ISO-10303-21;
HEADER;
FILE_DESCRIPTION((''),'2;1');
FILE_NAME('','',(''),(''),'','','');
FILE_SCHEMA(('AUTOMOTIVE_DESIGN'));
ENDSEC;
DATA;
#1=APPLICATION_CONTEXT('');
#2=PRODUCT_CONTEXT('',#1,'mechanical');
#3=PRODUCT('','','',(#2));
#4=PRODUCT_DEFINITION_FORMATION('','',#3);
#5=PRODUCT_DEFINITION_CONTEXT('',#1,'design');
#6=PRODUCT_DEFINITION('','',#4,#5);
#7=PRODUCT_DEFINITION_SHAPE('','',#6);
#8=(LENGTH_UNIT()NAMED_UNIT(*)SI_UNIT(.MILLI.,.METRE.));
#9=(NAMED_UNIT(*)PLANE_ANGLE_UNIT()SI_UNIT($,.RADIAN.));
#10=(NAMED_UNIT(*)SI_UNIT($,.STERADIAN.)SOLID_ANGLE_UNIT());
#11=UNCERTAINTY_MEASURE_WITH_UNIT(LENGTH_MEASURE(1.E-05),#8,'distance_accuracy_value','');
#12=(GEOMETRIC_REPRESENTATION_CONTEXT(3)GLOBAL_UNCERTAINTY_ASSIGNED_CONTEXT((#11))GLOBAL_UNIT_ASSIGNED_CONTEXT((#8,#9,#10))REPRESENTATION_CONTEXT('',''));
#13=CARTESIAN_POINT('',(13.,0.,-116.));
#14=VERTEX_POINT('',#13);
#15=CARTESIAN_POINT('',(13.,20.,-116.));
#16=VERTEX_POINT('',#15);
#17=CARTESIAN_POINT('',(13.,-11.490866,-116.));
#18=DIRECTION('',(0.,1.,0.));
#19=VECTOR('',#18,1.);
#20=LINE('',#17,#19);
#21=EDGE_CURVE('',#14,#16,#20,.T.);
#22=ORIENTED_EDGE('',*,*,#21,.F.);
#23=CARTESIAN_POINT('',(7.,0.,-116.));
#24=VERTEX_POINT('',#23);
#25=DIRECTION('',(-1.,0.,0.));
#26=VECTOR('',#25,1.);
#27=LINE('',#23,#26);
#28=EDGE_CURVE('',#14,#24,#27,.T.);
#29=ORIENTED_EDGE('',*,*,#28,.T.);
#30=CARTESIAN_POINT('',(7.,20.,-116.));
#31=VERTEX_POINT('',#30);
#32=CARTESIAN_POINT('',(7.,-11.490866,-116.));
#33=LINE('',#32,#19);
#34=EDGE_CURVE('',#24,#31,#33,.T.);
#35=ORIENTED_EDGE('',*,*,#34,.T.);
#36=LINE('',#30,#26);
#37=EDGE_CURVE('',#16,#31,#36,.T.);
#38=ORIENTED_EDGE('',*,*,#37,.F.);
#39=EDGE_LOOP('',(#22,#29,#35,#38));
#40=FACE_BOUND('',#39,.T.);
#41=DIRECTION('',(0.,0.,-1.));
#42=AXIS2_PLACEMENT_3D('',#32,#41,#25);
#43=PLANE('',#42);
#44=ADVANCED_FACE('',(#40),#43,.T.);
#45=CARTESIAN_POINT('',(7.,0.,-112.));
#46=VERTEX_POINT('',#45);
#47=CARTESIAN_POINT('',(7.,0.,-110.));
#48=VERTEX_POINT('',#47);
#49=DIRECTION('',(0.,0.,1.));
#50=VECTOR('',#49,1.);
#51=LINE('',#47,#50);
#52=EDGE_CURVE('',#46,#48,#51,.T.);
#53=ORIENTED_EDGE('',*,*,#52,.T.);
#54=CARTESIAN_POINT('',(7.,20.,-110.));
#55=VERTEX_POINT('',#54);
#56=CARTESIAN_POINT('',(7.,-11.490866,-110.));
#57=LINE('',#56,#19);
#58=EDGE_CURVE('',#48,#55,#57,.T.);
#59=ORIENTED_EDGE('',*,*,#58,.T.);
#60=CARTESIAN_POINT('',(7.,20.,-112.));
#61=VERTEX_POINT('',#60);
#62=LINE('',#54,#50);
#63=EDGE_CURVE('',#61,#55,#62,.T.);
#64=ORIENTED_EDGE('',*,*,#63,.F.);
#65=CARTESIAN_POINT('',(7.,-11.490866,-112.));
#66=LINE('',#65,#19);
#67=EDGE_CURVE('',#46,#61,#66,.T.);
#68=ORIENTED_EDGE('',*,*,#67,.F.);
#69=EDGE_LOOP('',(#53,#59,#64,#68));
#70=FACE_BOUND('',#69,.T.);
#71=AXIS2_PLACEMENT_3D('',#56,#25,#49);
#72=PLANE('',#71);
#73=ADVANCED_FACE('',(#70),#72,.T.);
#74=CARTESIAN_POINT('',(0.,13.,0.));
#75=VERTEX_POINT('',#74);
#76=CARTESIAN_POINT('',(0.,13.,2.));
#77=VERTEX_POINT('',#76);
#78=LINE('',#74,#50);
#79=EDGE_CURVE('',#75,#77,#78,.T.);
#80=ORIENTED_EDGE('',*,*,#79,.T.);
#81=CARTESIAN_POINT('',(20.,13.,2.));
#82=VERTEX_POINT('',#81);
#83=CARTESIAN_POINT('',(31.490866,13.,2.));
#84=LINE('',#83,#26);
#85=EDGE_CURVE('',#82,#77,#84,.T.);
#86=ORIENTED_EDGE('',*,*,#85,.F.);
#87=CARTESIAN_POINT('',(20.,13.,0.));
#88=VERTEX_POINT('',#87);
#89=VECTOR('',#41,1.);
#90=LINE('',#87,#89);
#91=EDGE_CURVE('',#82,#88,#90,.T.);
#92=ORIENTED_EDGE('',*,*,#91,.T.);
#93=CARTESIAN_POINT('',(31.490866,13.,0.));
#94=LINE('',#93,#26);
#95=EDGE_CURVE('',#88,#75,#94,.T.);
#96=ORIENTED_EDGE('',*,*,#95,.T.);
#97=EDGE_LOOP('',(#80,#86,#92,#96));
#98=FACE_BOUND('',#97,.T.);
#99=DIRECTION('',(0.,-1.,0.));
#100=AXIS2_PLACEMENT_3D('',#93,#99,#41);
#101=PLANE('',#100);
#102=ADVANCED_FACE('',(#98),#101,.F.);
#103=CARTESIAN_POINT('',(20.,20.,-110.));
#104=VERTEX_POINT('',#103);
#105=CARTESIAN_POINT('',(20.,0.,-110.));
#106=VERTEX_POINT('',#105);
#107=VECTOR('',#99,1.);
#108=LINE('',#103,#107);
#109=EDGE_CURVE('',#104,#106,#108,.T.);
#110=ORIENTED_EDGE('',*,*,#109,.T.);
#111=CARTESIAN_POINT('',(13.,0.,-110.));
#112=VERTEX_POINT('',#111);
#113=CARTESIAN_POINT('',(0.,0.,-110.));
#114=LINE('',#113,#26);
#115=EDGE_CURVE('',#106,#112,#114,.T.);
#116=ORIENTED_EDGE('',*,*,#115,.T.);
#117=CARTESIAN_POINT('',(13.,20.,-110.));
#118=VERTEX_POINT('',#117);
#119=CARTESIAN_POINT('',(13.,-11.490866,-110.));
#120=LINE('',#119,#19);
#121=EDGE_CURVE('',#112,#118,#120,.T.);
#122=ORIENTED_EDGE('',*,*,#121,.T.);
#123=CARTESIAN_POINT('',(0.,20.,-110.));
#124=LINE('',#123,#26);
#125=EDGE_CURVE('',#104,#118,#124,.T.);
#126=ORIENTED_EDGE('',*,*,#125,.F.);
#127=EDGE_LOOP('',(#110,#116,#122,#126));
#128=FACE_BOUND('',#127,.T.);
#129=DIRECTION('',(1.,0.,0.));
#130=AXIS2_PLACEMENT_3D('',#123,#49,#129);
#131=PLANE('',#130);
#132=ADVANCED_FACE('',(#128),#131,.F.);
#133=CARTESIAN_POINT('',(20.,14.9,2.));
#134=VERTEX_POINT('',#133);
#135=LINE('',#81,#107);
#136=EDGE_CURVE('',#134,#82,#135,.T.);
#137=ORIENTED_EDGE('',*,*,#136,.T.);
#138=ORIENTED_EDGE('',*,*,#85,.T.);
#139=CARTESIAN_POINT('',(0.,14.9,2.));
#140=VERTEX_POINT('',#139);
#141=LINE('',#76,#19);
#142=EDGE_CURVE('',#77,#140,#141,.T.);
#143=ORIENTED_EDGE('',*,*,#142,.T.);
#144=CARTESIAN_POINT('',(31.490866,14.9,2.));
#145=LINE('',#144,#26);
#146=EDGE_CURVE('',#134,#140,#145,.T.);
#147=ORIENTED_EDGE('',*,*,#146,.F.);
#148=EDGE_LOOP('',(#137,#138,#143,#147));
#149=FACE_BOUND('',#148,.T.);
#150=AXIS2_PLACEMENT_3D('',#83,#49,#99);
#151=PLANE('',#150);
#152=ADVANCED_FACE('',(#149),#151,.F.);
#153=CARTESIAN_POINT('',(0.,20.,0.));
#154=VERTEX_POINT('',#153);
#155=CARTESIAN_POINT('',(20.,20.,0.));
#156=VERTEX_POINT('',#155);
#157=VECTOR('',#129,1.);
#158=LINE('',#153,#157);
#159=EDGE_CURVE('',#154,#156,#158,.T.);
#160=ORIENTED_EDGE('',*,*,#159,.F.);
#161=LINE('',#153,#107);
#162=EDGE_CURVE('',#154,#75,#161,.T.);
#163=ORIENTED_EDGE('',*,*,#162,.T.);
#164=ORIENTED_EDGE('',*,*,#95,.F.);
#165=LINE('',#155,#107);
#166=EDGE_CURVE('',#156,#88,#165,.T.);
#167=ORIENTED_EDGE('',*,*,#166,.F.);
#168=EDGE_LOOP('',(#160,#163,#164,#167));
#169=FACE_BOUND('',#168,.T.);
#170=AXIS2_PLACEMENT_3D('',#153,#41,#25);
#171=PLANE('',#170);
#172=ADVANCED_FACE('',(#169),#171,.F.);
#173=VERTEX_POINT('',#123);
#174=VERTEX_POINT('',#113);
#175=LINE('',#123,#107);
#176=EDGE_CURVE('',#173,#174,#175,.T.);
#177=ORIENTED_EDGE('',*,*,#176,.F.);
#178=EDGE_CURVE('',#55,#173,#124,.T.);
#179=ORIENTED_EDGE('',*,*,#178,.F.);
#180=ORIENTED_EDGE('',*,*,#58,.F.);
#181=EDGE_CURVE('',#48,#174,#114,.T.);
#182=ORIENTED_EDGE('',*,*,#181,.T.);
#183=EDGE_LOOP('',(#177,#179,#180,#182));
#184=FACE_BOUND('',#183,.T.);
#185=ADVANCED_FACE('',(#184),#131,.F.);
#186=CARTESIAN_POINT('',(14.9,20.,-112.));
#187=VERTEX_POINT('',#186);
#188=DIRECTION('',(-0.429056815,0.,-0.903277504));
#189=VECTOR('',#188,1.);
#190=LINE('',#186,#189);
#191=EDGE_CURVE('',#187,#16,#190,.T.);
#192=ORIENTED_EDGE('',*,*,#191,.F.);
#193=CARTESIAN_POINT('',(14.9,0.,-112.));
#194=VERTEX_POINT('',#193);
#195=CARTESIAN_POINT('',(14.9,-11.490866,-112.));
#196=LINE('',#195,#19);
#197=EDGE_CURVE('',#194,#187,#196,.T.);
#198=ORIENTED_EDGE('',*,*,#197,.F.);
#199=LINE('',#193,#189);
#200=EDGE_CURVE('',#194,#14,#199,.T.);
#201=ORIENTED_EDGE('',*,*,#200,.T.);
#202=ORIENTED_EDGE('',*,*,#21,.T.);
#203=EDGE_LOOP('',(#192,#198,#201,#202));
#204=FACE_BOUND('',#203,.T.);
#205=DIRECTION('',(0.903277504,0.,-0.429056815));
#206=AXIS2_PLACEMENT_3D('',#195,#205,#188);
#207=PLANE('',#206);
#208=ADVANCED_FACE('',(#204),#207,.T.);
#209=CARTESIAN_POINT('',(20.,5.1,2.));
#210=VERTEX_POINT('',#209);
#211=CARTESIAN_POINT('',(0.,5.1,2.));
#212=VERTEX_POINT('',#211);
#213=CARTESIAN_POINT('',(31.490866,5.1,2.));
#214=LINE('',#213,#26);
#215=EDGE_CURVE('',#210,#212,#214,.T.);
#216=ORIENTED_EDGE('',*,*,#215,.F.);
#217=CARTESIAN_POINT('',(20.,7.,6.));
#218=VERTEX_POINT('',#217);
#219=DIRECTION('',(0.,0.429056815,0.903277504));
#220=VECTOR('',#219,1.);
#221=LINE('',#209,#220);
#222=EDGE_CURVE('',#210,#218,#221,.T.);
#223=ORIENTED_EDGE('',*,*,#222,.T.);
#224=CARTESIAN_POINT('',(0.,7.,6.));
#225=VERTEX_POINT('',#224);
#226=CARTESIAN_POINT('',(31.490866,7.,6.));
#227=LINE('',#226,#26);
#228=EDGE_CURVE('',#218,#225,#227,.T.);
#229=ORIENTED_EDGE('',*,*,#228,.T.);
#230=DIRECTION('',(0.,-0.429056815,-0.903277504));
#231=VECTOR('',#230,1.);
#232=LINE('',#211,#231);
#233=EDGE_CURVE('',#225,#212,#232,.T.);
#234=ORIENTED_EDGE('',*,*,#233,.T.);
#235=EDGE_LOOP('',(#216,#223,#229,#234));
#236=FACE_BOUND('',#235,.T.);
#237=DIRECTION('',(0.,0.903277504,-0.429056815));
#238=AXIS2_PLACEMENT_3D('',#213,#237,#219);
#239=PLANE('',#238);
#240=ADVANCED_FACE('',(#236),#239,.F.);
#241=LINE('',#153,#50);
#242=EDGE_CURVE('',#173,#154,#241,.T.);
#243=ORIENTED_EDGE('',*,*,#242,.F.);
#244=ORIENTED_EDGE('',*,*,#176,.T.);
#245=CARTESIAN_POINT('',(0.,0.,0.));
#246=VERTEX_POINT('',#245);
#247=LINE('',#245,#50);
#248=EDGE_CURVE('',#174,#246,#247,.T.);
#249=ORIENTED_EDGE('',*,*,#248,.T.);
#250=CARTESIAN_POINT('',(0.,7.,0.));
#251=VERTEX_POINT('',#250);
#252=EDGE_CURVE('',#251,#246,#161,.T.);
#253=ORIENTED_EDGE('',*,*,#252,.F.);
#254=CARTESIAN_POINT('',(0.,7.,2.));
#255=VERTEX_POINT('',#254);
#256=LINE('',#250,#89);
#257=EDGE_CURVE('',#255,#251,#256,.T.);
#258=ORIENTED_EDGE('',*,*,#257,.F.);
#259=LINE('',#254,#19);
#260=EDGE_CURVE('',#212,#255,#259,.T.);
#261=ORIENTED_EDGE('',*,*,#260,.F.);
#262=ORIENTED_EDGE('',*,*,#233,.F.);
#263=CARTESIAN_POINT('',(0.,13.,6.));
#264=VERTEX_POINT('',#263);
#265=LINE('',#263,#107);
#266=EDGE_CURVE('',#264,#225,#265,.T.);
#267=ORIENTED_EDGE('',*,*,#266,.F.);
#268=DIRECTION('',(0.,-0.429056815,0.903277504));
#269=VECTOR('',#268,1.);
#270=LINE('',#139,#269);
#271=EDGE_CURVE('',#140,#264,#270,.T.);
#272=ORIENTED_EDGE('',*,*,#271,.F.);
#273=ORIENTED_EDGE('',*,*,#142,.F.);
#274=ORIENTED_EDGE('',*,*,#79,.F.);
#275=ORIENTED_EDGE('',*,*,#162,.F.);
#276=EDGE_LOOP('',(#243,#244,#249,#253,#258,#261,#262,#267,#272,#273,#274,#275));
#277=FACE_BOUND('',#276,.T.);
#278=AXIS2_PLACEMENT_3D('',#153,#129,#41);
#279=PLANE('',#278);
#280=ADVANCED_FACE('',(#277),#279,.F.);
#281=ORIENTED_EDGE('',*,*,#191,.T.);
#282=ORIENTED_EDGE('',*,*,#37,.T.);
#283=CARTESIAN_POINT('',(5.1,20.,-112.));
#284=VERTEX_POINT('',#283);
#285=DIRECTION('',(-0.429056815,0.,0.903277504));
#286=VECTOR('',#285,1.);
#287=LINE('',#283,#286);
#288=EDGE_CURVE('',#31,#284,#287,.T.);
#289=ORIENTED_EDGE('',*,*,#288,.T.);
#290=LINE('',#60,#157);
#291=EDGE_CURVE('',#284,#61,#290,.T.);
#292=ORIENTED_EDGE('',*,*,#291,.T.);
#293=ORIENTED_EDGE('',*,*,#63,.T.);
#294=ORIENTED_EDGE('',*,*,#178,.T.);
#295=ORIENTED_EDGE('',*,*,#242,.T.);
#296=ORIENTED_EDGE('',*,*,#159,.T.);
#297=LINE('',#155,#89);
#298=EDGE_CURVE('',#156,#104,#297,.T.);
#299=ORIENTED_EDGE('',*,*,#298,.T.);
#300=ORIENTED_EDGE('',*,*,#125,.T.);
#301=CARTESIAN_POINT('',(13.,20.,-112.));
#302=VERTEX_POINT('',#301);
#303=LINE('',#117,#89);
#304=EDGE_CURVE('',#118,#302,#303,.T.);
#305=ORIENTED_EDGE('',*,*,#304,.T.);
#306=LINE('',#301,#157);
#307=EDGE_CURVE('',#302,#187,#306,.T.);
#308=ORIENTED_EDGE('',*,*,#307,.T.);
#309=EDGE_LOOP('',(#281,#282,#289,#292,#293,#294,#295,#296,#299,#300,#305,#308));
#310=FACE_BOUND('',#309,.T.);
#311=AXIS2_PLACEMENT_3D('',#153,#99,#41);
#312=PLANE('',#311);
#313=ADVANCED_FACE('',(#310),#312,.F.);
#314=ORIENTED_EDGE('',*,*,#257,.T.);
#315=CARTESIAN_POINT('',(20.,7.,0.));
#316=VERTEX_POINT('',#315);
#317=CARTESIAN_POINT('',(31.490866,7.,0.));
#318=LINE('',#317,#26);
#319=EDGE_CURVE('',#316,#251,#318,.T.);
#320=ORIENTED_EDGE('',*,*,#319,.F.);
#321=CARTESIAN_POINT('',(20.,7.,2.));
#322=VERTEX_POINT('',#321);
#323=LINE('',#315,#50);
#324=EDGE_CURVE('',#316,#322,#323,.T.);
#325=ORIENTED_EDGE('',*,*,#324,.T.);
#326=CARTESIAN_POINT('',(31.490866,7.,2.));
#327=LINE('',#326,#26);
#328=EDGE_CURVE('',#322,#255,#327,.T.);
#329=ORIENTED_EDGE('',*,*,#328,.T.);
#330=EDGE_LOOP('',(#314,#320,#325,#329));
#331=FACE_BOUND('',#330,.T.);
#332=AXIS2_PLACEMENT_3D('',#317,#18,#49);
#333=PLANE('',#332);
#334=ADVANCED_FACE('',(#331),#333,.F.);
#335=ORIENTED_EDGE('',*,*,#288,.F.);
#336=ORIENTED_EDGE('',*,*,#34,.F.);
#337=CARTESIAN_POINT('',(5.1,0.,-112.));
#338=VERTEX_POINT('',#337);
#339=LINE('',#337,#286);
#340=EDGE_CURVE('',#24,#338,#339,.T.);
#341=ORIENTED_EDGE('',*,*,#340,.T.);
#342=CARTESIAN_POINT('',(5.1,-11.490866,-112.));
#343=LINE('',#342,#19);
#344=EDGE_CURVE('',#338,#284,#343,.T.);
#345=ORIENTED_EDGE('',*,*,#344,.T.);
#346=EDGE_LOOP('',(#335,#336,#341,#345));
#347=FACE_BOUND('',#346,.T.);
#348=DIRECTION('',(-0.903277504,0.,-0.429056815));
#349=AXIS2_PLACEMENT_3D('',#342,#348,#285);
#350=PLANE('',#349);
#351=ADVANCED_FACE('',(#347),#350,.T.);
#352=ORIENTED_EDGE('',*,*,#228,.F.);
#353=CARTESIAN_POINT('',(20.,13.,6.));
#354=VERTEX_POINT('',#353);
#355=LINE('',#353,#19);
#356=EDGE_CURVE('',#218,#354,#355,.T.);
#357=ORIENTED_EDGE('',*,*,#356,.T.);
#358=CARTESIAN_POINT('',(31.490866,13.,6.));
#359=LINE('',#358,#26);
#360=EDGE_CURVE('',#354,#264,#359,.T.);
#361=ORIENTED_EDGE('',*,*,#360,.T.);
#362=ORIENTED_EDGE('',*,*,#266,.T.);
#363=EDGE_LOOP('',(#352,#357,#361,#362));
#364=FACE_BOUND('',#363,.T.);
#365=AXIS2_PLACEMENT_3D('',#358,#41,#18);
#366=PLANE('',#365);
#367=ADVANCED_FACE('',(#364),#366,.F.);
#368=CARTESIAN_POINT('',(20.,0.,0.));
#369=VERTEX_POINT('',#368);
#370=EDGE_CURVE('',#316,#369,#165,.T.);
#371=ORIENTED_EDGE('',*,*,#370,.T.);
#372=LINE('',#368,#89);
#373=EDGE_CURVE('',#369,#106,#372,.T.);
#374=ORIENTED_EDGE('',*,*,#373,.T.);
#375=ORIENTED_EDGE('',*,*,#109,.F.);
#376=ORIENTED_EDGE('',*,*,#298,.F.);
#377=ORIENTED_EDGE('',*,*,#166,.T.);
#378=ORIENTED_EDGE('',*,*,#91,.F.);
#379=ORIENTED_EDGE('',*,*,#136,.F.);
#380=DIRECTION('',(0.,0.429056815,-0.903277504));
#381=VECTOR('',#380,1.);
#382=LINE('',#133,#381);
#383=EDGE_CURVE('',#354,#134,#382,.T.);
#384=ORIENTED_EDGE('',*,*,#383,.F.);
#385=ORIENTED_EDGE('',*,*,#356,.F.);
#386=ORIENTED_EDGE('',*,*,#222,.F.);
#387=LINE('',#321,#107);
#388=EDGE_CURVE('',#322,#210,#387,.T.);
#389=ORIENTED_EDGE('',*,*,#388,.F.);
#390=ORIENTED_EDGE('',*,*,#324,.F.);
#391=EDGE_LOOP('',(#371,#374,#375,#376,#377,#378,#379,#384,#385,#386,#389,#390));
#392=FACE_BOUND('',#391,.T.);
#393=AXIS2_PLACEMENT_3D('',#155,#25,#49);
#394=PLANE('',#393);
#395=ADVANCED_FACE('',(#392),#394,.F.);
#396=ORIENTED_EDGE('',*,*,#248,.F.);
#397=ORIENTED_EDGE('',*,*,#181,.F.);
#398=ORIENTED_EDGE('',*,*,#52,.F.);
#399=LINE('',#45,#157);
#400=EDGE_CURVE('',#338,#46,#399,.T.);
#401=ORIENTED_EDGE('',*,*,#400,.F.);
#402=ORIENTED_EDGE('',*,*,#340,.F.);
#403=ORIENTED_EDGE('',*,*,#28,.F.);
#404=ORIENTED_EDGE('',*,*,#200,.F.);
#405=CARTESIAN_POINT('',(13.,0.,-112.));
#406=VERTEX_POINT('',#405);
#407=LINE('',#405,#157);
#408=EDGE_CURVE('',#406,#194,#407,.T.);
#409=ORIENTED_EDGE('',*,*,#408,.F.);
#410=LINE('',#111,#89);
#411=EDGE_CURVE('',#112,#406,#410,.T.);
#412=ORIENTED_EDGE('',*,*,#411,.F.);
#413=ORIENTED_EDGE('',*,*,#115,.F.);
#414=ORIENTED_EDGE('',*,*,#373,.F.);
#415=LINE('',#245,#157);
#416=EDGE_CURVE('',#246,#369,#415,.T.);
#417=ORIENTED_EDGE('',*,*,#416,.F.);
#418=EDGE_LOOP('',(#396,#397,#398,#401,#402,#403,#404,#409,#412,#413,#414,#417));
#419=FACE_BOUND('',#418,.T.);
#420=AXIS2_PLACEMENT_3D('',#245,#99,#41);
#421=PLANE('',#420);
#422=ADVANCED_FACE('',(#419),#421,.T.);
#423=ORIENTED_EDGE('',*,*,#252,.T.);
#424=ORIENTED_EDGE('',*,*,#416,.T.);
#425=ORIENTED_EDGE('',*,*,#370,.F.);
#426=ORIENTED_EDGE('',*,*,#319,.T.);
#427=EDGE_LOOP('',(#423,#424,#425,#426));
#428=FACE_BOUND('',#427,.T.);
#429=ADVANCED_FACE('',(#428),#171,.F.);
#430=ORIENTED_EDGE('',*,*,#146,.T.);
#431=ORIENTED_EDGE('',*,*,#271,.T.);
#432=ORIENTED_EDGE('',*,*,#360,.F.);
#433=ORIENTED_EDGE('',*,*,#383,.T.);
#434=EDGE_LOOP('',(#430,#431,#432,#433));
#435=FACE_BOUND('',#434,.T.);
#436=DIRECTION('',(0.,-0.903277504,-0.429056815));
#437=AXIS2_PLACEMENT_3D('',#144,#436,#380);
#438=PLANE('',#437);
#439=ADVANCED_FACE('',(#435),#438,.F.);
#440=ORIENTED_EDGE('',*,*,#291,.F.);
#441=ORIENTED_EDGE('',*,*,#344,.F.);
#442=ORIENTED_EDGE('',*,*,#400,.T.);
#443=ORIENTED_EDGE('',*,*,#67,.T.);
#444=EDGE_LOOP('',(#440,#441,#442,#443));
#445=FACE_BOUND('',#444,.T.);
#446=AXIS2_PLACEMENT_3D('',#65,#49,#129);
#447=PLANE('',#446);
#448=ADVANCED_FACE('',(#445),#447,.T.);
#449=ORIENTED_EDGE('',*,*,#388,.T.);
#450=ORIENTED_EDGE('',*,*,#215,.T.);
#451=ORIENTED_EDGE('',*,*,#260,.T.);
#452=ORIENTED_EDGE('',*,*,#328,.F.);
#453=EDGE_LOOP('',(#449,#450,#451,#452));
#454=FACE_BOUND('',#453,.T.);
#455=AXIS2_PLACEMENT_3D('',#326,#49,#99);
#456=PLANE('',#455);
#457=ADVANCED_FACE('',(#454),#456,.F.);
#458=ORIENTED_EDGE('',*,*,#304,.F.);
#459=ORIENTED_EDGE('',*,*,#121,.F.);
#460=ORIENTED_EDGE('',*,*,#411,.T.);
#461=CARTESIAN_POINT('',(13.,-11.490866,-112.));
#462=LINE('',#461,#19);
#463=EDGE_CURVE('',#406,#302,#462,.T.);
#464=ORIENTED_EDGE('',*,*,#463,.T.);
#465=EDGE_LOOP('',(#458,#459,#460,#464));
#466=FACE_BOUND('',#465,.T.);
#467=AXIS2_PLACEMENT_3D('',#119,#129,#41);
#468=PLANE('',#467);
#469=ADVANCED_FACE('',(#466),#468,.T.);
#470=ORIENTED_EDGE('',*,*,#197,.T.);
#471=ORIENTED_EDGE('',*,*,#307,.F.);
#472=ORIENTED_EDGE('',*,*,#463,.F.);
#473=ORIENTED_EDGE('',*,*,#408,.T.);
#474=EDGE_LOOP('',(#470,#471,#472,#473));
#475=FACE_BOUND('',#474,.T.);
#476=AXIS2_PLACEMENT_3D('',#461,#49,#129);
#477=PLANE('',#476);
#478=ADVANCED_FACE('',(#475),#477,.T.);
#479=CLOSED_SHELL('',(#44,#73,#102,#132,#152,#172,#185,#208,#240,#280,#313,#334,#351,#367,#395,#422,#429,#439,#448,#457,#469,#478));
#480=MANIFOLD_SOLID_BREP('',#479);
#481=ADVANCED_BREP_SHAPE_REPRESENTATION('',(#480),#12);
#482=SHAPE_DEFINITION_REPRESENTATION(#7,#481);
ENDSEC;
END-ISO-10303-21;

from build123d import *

# Parameters (mm, degrees)
SKETCH1_W           = 20
SKETCH1_H           = 110
BOSS_EXTRUDE1_DEPTH = 20
BOSS_EXTRUDE3_DEPTH = 20
BOSS_EXTRUDE4_DEPTH = 20


with BuildPart() as part:
    # Sketch1 → Boss-Extrude1 (new body)
    with BuildSketch(Plane(origin=(0, 0, 0), x_dir=(1, 0, 0), z_dir=(0, 1, 0))):
        with Locations((10, 55)):
            Rectangle(SKETCH1_W, SKETCH1_H)
    extrude(amount=BOSS_EXTRUDE1_DEPTH)

    # Sketch3 → Boss-Extrude3 (add)
    with BuildSketch(Plane(origin=(0, 0, 0), x_dir=(0, 0, -1), z_dir=(1, 0, 0))):
        Polygon((0, 7), (0, 13), (-2, 13), (-2, 14.9), (-6, 13), (-6, 7), (-2, 5.1), (-2, 7), align=None)
    extrude(amount=BOSS_EXTRUDE3_DEPTH)

    # Sketch5 → Boss-Extrude4 (add)
    with BuildSketch(Plane(origin=(0, 20, 0), x_dir=(1, 0, 0), z_dir=(0, 1, 0))):
        Polygon((13, 110), (7, 110), (7, 112), (5.1, 112), (7, 116), (13, 116), (14.9, 112), (13, 112), align=None)
    extrude(amount=-BOSS_EXTRUDE4_DEPTH)


solid = part.part
